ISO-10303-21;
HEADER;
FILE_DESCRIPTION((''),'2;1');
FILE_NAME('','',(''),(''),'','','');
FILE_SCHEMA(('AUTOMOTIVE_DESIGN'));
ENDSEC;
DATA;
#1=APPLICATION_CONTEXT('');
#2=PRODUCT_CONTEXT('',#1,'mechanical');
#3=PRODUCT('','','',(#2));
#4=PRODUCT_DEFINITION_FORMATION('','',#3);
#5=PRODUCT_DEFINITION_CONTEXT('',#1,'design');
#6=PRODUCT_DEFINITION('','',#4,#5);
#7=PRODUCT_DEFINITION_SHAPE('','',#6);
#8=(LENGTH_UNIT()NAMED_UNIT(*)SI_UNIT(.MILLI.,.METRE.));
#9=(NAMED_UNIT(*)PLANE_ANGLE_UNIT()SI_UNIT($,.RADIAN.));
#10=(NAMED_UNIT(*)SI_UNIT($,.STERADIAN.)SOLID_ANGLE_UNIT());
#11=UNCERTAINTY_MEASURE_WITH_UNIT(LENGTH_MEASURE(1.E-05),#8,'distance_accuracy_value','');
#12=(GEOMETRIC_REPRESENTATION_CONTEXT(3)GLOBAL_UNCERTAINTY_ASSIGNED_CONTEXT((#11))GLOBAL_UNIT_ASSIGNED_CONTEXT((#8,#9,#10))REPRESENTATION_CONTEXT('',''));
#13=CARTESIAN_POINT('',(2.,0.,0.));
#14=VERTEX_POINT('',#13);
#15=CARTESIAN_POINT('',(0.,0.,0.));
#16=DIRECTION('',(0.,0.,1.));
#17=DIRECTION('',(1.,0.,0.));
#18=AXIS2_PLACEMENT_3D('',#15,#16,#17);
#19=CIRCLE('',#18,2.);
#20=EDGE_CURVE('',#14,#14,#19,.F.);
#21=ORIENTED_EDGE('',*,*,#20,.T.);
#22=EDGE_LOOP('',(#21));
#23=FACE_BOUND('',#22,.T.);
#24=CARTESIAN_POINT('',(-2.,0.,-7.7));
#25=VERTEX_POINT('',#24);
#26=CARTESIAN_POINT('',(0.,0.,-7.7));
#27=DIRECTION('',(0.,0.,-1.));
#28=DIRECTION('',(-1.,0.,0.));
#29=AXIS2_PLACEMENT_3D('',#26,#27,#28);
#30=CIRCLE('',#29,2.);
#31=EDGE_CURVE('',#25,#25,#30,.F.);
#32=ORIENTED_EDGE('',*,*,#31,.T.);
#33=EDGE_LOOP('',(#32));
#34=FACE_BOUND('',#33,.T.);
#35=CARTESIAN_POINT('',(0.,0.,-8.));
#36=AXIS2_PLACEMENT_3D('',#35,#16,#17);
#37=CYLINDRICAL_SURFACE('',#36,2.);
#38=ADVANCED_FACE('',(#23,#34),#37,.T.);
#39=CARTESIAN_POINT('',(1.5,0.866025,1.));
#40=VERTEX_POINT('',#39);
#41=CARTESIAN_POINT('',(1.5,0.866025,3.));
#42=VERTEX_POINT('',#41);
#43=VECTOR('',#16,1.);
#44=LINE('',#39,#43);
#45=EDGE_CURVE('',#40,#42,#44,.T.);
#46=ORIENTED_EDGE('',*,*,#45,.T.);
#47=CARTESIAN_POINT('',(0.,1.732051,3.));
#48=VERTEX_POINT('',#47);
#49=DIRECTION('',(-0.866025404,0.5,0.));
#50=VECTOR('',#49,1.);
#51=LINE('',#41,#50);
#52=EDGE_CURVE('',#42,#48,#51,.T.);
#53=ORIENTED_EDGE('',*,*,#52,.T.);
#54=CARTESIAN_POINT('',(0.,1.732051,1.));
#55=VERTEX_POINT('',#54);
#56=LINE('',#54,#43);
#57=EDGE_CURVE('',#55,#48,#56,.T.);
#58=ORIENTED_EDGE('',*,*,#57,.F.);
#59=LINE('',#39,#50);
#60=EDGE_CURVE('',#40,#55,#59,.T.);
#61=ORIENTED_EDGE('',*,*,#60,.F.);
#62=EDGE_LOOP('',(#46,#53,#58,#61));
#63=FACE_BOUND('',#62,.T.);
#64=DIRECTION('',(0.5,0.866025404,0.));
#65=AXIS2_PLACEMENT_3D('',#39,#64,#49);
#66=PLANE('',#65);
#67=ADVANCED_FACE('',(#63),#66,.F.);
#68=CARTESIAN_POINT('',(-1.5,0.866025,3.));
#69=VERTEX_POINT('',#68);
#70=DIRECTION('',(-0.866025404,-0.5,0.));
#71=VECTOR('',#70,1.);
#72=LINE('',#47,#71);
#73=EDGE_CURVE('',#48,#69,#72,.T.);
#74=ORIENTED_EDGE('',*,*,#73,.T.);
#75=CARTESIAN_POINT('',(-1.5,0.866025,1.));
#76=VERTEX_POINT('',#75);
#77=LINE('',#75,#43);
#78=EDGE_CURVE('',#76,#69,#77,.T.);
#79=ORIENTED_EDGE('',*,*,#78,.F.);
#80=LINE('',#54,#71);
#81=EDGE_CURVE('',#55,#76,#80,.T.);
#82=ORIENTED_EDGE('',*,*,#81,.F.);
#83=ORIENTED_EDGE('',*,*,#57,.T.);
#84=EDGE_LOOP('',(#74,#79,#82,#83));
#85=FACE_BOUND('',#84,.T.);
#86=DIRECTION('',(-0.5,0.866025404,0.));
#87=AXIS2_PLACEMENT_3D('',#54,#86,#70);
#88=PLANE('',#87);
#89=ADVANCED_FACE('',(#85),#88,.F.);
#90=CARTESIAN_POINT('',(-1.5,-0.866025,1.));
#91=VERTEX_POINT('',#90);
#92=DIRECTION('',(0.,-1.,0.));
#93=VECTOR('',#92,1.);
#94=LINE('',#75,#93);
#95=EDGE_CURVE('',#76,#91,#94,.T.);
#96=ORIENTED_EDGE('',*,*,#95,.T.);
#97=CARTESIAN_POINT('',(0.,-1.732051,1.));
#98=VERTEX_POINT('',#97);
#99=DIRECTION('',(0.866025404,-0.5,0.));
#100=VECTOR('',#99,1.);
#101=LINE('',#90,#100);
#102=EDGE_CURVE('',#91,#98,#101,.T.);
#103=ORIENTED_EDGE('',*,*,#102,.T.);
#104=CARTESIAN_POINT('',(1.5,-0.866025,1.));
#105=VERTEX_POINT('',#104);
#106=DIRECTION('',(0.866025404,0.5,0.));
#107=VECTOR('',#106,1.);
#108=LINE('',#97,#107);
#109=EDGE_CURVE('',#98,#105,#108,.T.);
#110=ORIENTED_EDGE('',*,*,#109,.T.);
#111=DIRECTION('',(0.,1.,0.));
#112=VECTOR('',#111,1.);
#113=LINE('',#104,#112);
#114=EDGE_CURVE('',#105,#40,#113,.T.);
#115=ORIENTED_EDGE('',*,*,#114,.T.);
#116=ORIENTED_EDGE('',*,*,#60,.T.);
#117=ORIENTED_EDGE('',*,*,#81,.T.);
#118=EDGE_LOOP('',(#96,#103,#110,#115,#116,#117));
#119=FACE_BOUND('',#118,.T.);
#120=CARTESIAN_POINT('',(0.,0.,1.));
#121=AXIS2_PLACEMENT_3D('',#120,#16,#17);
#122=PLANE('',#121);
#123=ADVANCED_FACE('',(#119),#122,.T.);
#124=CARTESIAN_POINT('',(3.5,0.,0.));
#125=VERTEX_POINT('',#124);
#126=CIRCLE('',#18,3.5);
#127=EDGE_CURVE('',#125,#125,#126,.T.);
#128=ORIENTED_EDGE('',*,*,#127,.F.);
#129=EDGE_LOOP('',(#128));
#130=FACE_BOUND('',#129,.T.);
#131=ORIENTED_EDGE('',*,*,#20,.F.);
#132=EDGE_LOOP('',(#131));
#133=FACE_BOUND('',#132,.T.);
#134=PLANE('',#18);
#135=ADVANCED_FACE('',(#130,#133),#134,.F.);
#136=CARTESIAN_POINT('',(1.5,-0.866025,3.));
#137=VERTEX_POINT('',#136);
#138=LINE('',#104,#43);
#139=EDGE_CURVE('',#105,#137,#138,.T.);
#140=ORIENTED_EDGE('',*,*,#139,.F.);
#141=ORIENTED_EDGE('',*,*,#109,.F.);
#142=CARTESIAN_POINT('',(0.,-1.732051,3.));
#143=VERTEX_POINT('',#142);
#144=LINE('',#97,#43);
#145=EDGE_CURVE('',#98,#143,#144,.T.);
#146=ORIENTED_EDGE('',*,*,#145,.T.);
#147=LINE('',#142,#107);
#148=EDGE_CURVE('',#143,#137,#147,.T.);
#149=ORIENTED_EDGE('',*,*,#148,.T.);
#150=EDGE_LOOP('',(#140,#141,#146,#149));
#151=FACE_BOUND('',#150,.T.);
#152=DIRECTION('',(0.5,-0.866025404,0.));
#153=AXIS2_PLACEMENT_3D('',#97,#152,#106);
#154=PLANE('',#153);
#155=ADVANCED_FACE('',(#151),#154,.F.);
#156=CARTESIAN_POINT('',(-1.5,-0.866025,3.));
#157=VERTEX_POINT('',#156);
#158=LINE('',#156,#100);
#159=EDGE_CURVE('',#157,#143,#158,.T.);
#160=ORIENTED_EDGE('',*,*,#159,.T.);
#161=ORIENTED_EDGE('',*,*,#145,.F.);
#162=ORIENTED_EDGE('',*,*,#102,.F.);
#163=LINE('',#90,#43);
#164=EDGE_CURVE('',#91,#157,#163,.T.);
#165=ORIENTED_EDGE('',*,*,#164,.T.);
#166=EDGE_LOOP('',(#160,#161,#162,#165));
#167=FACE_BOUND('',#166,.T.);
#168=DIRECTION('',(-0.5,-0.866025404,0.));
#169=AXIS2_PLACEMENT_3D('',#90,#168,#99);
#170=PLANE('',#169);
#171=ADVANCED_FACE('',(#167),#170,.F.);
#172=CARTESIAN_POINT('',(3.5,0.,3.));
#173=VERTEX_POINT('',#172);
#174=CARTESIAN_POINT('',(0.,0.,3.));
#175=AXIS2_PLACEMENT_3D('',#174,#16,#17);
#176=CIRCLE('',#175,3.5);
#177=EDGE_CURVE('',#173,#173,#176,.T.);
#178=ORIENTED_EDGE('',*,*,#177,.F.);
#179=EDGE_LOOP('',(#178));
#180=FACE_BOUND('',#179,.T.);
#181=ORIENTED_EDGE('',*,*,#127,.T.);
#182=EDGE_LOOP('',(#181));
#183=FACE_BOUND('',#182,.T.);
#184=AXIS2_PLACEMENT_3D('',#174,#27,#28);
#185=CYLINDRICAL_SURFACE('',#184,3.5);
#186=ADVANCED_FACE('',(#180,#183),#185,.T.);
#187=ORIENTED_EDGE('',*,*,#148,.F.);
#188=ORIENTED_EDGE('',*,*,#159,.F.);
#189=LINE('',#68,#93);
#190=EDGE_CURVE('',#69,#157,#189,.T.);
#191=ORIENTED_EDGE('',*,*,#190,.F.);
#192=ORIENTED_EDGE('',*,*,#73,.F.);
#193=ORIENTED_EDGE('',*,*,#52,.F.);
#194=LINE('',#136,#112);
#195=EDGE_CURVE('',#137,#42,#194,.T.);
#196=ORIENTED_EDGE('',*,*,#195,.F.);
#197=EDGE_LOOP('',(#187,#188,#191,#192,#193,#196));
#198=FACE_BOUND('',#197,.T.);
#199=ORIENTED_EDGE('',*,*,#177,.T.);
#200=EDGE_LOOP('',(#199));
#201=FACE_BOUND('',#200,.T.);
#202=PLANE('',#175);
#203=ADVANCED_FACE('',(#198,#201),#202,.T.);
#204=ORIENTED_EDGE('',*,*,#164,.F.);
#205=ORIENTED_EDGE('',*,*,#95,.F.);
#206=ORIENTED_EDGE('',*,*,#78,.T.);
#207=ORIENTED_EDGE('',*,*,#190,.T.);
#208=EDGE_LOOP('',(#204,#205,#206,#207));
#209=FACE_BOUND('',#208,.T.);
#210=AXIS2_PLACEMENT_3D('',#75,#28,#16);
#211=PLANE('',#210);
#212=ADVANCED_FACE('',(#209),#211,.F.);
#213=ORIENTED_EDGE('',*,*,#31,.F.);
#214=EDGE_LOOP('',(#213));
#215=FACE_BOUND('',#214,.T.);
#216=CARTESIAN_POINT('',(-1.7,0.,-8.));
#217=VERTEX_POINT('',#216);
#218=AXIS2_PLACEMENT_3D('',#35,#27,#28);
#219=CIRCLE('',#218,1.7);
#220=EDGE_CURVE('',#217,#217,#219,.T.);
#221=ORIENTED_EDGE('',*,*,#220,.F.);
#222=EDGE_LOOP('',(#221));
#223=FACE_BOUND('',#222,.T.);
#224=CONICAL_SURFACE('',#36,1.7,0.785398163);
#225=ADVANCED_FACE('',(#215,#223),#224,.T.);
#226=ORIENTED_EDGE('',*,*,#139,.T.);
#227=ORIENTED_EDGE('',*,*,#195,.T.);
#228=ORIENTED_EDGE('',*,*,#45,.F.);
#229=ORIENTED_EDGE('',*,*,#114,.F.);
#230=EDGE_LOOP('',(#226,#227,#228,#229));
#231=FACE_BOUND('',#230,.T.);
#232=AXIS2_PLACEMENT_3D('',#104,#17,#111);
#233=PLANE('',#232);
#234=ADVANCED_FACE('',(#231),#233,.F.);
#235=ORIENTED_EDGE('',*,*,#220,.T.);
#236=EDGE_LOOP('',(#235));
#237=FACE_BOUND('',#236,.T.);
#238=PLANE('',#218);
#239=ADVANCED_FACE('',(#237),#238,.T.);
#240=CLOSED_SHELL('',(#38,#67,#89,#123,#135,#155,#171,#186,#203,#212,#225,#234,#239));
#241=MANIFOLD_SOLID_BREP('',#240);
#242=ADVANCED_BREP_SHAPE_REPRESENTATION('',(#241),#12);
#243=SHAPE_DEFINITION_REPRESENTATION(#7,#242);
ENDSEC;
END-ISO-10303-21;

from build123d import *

# Parameters (mm, degrees)
SKETCH1_R           = 3.5
BOSS_EXTRUDE1_DEPTH = 3
SKETCH2_R           = 2
BOSS_EXTRUDE2_DEPTH = 8
CHAMFER1_SIZE       = 0.3
CUT_EXTRUDE1_DEPTH  = 2


with BuildPart() as part:
    # Sketch1 → Boss-Extrude1 (new body)
    with BuildSketch(Plane.XY):
        Circle(SKETCH1_R)
    extrude(amount=BOSS_EXTRUDE1_DEPTH)

    # Sketch2 → Boss-Extrude2 (add)
    with BuildSketch(Plane(origin=(0, 0, 0), x_dir=(-1, 0, 0), z_dir=(0, 0, -1))):
        Circle(SKETCH2_R)
    extrude(amount=BOSS_EXTRUDE2_DEPTH)

    # Chamfer1
    chamfer1_edges = [part.edges().sort_by_distance(p)[0] for p in [
        (2, 0, -8),
    ]]
    chamfer(chamfer1_edges, length=CHAMFER1_SIZE)

    # Sketch3 → Cut-Extrude1 (cut)
    with BuildSketch(Plane.XY.offset(3)):
        Polygon((0, 1.732050808), (-1.5, 0.866025404), (-1.5, -0.866025404), (0, -1.732050808), (1.5, -0.866025404), (1.5, 0.866025404), align=None)
    extrude(amount=-CUT_EXTRUDE1_DEPTH, mode=Mode.SUBTRACT)


solid = part.part
